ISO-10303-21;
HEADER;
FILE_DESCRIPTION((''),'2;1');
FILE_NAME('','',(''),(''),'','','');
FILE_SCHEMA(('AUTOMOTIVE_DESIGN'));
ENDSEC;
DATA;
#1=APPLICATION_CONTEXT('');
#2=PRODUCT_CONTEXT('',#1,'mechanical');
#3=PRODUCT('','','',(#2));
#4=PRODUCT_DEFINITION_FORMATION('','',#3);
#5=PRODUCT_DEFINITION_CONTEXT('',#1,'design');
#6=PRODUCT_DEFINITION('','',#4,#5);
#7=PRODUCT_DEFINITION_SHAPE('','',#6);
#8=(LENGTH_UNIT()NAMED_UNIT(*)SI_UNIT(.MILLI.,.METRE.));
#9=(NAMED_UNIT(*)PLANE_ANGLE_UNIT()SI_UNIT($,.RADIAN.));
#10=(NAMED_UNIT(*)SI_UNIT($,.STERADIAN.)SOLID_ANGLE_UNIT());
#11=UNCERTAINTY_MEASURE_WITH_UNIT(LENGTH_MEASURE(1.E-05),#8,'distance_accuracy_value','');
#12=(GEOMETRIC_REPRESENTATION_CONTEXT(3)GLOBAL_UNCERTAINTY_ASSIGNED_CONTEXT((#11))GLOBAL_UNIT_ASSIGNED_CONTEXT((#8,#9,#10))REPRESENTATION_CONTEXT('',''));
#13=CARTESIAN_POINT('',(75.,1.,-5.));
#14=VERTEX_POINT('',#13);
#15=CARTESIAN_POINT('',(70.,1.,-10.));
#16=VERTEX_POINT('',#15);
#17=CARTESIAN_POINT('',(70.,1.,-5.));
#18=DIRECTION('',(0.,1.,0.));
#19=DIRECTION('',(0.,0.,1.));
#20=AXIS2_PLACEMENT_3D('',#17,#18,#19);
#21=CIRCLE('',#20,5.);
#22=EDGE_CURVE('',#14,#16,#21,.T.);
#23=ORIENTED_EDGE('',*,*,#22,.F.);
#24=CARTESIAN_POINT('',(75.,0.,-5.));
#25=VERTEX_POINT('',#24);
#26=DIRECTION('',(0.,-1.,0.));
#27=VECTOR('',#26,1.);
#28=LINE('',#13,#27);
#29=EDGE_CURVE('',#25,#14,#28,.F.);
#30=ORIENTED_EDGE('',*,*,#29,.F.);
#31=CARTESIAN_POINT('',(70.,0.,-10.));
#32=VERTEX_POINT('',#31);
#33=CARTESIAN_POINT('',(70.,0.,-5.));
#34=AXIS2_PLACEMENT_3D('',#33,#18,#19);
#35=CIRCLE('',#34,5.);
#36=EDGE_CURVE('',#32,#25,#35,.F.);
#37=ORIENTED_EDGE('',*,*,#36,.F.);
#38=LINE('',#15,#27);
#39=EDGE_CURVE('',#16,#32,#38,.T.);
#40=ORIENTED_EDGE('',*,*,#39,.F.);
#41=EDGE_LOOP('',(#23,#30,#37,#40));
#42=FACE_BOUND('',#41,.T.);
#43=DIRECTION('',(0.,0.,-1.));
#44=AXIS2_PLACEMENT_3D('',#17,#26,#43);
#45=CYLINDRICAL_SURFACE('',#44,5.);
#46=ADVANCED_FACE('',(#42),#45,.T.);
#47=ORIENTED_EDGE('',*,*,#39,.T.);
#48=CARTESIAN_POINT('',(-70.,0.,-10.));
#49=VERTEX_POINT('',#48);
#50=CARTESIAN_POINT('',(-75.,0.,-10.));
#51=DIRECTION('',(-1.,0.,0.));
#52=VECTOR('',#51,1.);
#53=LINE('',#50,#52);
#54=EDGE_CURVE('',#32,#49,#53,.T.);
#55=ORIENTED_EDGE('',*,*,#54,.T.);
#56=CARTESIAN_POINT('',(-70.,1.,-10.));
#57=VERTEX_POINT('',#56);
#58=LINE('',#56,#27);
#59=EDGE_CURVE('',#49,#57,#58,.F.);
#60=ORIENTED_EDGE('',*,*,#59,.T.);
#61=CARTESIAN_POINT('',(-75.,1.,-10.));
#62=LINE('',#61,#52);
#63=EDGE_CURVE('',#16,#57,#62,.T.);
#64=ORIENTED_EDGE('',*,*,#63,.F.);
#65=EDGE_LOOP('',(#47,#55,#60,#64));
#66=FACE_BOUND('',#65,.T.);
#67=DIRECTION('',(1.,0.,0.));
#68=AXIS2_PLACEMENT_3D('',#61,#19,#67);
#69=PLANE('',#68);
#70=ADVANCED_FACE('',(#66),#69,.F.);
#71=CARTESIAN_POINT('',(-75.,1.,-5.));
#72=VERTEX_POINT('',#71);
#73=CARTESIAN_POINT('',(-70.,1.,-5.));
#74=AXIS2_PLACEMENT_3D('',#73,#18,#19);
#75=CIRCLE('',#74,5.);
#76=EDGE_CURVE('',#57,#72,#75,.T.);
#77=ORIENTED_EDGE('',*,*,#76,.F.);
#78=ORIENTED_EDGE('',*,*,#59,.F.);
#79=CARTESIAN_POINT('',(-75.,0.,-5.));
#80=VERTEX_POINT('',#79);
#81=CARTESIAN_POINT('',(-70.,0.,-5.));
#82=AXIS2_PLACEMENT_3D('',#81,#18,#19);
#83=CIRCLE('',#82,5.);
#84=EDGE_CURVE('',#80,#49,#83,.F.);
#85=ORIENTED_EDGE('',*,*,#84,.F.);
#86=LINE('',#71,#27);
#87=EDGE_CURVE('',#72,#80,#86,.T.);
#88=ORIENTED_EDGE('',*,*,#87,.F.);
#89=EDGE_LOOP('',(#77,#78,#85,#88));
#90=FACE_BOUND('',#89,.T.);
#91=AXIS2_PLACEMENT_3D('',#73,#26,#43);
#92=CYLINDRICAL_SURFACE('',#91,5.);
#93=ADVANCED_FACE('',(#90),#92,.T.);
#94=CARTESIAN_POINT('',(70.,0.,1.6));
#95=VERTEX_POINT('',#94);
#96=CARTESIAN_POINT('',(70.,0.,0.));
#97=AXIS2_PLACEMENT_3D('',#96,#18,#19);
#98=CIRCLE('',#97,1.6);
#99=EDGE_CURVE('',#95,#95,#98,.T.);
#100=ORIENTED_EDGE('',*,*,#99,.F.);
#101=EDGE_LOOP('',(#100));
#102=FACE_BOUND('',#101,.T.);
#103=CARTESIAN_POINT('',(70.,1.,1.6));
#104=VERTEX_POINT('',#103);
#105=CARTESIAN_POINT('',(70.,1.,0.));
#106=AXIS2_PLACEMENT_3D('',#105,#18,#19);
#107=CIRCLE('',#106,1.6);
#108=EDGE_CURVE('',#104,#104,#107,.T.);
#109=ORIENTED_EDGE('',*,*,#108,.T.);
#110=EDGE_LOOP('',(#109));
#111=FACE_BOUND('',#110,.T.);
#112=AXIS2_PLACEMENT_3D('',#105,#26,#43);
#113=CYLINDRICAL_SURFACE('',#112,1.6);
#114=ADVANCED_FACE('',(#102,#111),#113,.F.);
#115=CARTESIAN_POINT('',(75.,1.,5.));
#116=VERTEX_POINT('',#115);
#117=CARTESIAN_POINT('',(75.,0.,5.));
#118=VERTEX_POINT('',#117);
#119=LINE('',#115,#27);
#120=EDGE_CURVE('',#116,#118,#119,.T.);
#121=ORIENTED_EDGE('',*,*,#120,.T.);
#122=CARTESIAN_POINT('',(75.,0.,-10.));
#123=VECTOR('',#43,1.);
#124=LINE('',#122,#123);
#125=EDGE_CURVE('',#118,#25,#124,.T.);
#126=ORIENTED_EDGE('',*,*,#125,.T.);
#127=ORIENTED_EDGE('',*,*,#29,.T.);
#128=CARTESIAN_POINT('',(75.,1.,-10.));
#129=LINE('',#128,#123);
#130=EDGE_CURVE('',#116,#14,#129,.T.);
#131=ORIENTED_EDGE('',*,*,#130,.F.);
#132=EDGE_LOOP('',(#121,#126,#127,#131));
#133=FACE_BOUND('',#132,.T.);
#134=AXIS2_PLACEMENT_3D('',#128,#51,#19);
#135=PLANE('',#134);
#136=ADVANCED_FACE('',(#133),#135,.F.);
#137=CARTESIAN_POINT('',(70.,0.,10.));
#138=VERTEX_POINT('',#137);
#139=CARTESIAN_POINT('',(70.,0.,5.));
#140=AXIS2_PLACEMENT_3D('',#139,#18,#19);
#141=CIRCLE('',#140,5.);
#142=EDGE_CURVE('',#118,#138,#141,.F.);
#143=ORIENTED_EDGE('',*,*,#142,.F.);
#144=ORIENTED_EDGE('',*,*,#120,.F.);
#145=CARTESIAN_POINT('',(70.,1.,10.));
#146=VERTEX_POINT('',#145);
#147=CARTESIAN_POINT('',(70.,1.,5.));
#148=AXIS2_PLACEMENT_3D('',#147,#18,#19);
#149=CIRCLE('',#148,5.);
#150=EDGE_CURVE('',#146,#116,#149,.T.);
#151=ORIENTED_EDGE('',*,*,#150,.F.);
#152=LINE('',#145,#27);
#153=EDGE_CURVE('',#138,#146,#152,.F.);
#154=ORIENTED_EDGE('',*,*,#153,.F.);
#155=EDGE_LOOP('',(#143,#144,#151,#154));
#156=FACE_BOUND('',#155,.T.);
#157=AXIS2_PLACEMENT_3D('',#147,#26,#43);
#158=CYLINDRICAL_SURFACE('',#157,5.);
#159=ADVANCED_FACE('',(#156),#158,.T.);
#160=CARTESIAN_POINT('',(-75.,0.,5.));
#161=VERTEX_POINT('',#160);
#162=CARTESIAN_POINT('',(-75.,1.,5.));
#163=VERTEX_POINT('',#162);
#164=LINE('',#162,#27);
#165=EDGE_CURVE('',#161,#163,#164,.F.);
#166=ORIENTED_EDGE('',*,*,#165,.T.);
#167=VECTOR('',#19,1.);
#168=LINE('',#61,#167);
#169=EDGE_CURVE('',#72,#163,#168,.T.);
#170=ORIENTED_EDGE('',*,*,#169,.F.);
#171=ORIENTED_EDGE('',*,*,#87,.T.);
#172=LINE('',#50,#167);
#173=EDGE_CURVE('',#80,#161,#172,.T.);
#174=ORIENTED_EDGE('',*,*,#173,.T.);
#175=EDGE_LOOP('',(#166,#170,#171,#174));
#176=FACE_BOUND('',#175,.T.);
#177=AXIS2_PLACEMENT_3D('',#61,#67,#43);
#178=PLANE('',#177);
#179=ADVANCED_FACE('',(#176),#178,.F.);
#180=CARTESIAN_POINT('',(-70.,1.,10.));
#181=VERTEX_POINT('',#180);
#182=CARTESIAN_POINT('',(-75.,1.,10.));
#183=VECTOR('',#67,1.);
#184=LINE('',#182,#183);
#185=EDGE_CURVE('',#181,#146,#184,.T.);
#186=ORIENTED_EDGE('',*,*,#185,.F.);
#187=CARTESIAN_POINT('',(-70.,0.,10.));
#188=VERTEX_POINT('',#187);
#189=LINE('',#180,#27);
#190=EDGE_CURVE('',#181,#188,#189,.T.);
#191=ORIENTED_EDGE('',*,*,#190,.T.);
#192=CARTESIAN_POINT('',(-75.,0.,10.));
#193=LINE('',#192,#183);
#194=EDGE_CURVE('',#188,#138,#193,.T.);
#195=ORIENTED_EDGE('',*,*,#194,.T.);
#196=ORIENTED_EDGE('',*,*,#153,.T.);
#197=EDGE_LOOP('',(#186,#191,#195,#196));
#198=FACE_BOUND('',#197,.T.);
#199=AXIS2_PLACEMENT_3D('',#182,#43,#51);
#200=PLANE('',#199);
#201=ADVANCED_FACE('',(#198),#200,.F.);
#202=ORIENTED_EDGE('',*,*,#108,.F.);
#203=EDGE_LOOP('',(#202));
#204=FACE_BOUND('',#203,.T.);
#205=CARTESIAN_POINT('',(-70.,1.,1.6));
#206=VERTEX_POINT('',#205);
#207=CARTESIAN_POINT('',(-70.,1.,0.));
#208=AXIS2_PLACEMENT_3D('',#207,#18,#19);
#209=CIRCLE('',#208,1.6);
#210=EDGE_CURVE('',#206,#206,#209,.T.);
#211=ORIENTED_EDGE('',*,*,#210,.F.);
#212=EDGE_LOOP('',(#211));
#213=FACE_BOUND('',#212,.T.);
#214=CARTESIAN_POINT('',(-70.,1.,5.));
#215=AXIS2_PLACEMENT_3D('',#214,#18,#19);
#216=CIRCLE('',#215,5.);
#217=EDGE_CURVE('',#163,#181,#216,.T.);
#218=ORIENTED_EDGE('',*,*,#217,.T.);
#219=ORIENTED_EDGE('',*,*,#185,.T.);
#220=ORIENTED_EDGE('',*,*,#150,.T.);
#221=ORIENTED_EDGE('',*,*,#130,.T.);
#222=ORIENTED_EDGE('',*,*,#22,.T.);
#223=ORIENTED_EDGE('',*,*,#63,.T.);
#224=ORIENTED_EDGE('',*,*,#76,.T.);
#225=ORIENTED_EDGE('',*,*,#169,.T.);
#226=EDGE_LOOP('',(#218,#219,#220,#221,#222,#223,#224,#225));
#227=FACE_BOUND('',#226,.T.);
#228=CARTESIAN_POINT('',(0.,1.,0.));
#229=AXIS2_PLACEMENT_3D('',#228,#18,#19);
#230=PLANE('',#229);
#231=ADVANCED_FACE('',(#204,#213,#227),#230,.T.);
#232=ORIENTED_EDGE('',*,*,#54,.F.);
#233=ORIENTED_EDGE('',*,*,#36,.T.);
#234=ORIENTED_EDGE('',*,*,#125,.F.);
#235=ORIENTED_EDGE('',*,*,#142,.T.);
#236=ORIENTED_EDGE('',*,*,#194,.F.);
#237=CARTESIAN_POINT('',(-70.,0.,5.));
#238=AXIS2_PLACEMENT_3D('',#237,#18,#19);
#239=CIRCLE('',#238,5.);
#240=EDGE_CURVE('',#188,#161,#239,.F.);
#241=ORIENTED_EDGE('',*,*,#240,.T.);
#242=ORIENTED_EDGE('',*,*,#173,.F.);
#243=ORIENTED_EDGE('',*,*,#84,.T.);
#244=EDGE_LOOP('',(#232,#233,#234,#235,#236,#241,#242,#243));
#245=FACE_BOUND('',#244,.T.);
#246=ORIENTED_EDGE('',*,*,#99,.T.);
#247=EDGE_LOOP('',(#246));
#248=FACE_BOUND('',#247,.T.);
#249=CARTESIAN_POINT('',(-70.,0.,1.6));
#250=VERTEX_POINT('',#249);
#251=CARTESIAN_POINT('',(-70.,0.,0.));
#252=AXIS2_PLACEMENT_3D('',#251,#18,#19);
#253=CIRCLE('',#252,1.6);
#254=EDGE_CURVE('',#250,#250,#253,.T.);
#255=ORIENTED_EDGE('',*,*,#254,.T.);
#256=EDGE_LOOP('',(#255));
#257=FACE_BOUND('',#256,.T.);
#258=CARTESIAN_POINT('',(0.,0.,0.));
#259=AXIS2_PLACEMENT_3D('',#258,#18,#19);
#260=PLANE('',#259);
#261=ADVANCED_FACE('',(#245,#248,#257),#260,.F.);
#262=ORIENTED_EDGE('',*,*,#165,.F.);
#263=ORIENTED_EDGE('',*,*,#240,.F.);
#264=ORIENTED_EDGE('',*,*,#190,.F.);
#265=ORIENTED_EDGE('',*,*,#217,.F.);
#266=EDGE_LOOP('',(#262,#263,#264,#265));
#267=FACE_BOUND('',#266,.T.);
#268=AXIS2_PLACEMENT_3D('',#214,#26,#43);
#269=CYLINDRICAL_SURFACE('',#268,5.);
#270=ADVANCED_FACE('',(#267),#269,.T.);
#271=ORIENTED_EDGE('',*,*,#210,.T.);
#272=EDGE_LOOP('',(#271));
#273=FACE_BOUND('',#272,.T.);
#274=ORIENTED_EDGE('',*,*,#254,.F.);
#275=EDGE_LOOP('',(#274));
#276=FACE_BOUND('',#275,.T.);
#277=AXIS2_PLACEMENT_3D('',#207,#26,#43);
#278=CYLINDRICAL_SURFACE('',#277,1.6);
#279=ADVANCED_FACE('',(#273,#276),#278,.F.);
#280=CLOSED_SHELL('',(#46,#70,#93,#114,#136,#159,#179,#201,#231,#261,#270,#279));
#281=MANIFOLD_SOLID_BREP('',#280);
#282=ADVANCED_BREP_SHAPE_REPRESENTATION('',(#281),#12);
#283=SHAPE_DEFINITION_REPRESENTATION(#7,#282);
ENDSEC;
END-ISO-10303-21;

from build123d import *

# Parameters (mm, degrees)
SKETCH_1_W      = 150
SKETCH_1_H      = 20
SKETCH_1_R      = 1.6
EXTRUDE_1_DEPTH = 1
FILLET_1_R      = 5


with BuildPart() as part:
    # 草图1 → 凸台-拉伸1 (new body)
    with BuildSketch(Plane(origin=(0, 0, 0), x_dir=(1, 0, 0), z_dir=(0, 1, 0))):
        Rectangle(SKETCH_1_W, SKETCH_1_H)
        with Locations(Location((-70, 0, 0), (0, 0, 270))):
            Circle(SKETCH_1_R, mode=Mode.SUBTRACT)
        with Locations(Location((70, 0, 0), (0, 0, 270))):
            Circle(SKETCH_1_R, mode=Mode.SUBTRACT)
    extrude(amount=EXTRUDE_1_DEPTH)

    # 圆角1
    fillet_1_edges = [part.edges().sort_by_distance(p)[0] for p in [
        (75, 0.5, 10),
        (-75, 0.5, 10),
        (-75, 0.5, -10),
        (75, 0.5, -10),
    ]]
    fillet(fillet_1_edges, radius=FILLET_1_R)


solid = part.part
